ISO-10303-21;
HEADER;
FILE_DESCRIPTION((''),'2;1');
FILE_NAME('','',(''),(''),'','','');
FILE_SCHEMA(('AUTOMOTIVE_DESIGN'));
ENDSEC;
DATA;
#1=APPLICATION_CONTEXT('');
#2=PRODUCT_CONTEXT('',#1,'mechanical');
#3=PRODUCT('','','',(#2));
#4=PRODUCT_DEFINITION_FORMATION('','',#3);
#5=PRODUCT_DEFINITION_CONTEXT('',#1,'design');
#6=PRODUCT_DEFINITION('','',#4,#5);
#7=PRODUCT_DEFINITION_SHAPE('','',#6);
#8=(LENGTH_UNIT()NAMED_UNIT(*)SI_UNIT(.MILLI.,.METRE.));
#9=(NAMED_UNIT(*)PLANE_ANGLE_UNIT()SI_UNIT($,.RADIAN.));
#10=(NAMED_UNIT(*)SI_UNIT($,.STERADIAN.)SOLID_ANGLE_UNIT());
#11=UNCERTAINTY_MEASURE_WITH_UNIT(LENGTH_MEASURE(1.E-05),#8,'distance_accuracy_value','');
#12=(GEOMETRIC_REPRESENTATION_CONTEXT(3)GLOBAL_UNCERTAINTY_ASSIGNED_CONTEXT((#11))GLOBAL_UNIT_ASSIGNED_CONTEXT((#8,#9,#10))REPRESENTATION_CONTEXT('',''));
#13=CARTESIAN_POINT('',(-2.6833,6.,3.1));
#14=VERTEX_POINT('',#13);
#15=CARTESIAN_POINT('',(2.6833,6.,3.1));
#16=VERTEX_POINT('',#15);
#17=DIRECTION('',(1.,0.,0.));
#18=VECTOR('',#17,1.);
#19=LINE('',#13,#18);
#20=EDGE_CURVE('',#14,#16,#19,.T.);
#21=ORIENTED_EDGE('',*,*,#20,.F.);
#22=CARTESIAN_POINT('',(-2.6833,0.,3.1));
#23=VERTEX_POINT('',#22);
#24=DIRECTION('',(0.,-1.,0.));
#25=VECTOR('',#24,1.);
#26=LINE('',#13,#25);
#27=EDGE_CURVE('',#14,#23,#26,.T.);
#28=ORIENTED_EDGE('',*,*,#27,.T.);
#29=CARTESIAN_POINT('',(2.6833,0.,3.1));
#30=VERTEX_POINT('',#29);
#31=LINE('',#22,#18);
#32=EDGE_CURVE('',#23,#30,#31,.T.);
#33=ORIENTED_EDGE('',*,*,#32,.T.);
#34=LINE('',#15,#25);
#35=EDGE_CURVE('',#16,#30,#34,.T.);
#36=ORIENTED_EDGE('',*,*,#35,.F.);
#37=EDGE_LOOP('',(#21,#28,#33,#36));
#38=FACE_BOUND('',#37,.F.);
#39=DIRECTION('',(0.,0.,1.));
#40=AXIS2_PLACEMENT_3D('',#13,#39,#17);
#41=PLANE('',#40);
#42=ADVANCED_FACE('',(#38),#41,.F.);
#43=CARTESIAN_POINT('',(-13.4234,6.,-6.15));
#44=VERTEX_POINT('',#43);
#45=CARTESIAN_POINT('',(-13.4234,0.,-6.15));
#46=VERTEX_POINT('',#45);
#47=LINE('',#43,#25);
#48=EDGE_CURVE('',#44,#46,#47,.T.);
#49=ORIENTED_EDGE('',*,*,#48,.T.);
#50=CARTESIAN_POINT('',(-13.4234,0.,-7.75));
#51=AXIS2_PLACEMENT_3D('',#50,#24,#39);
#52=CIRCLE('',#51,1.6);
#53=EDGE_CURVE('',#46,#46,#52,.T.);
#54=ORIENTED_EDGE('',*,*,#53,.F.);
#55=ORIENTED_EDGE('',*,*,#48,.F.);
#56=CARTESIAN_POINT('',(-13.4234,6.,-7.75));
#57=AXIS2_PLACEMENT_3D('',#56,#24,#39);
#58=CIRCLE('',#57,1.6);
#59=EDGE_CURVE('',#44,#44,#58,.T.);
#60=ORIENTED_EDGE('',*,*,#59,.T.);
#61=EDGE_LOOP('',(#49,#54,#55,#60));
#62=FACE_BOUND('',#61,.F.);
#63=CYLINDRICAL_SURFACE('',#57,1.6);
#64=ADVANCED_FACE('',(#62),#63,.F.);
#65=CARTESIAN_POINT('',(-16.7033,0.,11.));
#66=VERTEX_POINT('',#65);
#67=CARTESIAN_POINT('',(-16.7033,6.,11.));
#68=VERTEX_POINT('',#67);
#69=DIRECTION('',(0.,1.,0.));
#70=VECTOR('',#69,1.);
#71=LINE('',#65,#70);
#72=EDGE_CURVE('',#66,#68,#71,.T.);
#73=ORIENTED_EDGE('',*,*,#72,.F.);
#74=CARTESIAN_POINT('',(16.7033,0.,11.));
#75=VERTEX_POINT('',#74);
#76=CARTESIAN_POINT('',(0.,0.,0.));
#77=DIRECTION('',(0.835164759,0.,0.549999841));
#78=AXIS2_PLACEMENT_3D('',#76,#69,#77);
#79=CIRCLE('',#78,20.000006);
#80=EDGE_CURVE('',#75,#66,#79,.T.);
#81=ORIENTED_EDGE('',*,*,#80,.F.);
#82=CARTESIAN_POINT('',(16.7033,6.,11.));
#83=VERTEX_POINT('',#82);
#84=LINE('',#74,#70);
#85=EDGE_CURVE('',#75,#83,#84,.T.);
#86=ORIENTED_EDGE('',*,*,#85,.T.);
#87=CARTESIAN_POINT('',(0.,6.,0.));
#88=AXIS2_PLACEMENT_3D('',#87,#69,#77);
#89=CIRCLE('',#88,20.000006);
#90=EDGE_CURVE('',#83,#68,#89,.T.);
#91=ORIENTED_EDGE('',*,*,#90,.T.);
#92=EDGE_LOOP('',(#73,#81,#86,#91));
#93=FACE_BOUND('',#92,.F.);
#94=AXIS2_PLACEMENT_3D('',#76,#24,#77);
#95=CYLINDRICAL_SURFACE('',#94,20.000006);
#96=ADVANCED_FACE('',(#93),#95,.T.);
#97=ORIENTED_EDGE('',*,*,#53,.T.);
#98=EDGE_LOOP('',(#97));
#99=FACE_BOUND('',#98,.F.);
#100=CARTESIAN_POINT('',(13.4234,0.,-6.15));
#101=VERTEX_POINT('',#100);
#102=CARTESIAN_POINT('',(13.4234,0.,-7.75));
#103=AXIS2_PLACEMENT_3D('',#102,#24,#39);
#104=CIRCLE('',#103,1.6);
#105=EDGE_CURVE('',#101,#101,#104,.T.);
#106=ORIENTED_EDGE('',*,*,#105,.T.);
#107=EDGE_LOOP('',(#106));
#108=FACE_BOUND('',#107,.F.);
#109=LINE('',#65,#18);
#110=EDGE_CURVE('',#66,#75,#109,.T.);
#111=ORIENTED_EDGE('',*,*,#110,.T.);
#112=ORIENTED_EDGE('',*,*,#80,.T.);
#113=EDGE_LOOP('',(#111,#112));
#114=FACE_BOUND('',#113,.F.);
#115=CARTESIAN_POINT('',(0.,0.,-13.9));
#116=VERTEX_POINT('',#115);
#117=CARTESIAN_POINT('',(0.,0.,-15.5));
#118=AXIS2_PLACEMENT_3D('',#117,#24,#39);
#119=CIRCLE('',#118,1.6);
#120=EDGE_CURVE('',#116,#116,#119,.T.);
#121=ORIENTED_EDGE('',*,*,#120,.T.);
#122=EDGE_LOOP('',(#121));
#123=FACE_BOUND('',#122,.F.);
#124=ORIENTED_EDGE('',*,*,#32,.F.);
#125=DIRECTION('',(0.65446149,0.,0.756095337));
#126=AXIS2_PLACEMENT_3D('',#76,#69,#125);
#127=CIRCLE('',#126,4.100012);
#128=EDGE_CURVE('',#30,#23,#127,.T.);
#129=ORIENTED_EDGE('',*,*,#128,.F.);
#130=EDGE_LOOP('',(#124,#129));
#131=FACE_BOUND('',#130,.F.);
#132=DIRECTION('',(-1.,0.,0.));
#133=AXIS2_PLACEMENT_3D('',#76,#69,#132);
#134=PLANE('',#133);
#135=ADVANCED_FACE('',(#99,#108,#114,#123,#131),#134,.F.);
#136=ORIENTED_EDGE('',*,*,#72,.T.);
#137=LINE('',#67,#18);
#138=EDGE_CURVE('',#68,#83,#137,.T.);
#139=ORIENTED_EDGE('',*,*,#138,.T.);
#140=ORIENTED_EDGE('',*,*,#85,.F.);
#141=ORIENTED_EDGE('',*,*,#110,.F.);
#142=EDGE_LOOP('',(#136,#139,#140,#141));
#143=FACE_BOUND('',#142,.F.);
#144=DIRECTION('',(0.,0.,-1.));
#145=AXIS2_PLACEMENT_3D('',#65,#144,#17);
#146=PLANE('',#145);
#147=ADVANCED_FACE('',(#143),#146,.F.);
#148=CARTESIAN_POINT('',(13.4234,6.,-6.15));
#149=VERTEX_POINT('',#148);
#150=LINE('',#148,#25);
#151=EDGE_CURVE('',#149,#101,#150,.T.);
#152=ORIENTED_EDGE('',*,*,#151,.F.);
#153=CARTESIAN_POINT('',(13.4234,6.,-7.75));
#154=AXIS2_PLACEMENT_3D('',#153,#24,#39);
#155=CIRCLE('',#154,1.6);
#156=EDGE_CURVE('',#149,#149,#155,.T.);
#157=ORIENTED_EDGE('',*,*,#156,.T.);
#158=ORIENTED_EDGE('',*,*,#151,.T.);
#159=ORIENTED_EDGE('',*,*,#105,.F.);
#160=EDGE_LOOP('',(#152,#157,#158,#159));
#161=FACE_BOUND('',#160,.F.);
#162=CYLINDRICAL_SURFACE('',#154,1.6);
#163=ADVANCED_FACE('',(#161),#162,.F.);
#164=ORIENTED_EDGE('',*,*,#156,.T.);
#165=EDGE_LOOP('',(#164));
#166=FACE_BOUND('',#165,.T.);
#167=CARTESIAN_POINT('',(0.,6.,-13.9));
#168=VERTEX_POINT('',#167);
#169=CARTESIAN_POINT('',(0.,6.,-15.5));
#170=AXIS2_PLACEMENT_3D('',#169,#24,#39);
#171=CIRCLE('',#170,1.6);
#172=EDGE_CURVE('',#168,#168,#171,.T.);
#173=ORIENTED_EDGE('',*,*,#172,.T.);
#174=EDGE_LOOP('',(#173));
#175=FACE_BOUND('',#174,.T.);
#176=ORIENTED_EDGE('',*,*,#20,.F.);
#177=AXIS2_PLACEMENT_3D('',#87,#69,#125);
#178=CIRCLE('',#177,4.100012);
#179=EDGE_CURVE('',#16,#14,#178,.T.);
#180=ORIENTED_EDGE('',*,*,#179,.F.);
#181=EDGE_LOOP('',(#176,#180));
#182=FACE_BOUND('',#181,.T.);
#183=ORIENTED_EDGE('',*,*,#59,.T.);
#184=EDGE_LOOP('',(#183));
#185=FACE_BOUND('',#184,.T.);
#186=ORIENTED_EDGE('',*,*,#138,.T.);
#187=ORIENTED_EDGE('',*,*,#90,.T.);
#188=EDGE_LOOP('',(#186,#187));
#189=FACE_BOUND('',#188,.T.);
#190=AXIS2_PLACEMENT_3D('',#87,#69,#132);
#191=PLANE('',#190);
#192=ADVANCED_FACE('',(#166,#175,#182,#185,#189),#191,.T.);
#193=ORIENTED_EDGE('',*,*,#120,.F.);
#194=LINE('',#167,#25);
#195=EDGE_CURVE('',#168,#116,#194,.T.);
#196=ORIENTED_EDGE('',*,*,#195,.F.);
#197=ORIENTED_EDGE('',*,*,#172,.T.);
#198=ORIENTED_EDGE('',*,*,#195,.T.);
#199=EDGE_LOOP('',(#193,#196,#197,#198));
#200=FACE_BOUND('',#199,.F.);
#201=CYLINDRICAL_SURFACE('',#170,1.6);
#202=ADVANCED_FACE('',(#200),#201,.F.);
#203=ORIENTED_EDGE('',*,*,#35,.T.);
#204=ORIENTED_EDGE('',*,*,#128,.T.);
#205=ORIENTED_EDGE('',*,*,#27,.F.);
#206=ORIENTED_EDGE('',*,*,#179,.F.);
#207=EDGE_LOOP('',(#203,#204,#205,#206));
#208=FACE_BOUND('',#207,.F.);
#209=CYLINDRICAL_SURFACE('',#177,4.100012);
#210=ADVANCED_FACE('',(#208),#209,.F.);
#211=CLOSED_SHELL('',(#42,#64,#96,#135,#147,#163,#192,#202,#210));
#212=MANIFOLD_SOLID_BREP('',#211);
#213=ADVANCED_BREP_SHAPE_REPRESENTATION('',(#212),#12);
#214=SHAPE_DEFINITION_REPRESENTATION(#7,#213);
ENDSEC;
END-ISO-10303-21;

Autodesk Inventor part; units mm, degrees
ref_plane "YZ Plane" through (0, 0, 0) normal (1, 0, 0) x (0, 1, 0)
ref_plane "XZ Plane" through (0, 0, 0) normal (0, 1, 0) x (-1, 0, 0)
ref_plane "XY Plane" through (0, 0, 0) normal (0, 0, 1) x (1, 0, 0)
sketch "スケッチ1" plane through (0, 0, 0) normal (0, 1, 0) x (-1, 0, 0)
  arc A0 (-16.7033, 11) -> (16.7033, 11) centre (0, 0) ccw
  line L0 (16.7033, 11) -> (-16.7033, 11)
  point P0 (0, 11)
  dimension "d0" = 40
  dimension "d1" = 11
extrude "押し出し1" add sketch "スケッチ1" along normal blind 6
sketch "スケッチ3" plane through (0, 6, 0) normal (0, 1, 0) x (1, 0, 0)
  arc A0 (2.6833, -3.1) -> (-2.6833, -3.1) centre (0, 0) ccw
  line L0 (-2.6833, -3.1) -> (2.6833, -3.1)
  point P0 (0, -3.1)
  dimension "d12" = 8.2
  dimension "d13" = 3.1
extrude "押し出し2" cut sketch "スケッチ3" against normal blind 6
sketch "スケッチ4" plane through (0, 6, 0) normal (0, 1, 0) x (1, 0, 0)
  circle A0 centre (0, 0) radius 15.5 construction
  line L0 (0, 0) -> (-19.4826, 11.2483) construction
  line L1 (0, 0) -> (29.419, 16.9851) construction
  line L2 (0, 0) -> (0, 25.14) construction
  point P0 (0, 15.5)
  point P1 (-13.4234, 7.75)
  point P2 (-13.4234, 7.75)
  point P3 (0, 15.5)
  point P4 (13.4234, 7.75)
  dimension "d16" = 31
  dimension "d17" = 60
  dimension "d18" = 60
hole "穴2" at (0, 6, -15.5) at (-13.4234, 6, -7.75) at (13.4234, 6, -7.75) direction (0, -1, 0) diameter 3.2 end through all
properties part number "射出_留め具2"
